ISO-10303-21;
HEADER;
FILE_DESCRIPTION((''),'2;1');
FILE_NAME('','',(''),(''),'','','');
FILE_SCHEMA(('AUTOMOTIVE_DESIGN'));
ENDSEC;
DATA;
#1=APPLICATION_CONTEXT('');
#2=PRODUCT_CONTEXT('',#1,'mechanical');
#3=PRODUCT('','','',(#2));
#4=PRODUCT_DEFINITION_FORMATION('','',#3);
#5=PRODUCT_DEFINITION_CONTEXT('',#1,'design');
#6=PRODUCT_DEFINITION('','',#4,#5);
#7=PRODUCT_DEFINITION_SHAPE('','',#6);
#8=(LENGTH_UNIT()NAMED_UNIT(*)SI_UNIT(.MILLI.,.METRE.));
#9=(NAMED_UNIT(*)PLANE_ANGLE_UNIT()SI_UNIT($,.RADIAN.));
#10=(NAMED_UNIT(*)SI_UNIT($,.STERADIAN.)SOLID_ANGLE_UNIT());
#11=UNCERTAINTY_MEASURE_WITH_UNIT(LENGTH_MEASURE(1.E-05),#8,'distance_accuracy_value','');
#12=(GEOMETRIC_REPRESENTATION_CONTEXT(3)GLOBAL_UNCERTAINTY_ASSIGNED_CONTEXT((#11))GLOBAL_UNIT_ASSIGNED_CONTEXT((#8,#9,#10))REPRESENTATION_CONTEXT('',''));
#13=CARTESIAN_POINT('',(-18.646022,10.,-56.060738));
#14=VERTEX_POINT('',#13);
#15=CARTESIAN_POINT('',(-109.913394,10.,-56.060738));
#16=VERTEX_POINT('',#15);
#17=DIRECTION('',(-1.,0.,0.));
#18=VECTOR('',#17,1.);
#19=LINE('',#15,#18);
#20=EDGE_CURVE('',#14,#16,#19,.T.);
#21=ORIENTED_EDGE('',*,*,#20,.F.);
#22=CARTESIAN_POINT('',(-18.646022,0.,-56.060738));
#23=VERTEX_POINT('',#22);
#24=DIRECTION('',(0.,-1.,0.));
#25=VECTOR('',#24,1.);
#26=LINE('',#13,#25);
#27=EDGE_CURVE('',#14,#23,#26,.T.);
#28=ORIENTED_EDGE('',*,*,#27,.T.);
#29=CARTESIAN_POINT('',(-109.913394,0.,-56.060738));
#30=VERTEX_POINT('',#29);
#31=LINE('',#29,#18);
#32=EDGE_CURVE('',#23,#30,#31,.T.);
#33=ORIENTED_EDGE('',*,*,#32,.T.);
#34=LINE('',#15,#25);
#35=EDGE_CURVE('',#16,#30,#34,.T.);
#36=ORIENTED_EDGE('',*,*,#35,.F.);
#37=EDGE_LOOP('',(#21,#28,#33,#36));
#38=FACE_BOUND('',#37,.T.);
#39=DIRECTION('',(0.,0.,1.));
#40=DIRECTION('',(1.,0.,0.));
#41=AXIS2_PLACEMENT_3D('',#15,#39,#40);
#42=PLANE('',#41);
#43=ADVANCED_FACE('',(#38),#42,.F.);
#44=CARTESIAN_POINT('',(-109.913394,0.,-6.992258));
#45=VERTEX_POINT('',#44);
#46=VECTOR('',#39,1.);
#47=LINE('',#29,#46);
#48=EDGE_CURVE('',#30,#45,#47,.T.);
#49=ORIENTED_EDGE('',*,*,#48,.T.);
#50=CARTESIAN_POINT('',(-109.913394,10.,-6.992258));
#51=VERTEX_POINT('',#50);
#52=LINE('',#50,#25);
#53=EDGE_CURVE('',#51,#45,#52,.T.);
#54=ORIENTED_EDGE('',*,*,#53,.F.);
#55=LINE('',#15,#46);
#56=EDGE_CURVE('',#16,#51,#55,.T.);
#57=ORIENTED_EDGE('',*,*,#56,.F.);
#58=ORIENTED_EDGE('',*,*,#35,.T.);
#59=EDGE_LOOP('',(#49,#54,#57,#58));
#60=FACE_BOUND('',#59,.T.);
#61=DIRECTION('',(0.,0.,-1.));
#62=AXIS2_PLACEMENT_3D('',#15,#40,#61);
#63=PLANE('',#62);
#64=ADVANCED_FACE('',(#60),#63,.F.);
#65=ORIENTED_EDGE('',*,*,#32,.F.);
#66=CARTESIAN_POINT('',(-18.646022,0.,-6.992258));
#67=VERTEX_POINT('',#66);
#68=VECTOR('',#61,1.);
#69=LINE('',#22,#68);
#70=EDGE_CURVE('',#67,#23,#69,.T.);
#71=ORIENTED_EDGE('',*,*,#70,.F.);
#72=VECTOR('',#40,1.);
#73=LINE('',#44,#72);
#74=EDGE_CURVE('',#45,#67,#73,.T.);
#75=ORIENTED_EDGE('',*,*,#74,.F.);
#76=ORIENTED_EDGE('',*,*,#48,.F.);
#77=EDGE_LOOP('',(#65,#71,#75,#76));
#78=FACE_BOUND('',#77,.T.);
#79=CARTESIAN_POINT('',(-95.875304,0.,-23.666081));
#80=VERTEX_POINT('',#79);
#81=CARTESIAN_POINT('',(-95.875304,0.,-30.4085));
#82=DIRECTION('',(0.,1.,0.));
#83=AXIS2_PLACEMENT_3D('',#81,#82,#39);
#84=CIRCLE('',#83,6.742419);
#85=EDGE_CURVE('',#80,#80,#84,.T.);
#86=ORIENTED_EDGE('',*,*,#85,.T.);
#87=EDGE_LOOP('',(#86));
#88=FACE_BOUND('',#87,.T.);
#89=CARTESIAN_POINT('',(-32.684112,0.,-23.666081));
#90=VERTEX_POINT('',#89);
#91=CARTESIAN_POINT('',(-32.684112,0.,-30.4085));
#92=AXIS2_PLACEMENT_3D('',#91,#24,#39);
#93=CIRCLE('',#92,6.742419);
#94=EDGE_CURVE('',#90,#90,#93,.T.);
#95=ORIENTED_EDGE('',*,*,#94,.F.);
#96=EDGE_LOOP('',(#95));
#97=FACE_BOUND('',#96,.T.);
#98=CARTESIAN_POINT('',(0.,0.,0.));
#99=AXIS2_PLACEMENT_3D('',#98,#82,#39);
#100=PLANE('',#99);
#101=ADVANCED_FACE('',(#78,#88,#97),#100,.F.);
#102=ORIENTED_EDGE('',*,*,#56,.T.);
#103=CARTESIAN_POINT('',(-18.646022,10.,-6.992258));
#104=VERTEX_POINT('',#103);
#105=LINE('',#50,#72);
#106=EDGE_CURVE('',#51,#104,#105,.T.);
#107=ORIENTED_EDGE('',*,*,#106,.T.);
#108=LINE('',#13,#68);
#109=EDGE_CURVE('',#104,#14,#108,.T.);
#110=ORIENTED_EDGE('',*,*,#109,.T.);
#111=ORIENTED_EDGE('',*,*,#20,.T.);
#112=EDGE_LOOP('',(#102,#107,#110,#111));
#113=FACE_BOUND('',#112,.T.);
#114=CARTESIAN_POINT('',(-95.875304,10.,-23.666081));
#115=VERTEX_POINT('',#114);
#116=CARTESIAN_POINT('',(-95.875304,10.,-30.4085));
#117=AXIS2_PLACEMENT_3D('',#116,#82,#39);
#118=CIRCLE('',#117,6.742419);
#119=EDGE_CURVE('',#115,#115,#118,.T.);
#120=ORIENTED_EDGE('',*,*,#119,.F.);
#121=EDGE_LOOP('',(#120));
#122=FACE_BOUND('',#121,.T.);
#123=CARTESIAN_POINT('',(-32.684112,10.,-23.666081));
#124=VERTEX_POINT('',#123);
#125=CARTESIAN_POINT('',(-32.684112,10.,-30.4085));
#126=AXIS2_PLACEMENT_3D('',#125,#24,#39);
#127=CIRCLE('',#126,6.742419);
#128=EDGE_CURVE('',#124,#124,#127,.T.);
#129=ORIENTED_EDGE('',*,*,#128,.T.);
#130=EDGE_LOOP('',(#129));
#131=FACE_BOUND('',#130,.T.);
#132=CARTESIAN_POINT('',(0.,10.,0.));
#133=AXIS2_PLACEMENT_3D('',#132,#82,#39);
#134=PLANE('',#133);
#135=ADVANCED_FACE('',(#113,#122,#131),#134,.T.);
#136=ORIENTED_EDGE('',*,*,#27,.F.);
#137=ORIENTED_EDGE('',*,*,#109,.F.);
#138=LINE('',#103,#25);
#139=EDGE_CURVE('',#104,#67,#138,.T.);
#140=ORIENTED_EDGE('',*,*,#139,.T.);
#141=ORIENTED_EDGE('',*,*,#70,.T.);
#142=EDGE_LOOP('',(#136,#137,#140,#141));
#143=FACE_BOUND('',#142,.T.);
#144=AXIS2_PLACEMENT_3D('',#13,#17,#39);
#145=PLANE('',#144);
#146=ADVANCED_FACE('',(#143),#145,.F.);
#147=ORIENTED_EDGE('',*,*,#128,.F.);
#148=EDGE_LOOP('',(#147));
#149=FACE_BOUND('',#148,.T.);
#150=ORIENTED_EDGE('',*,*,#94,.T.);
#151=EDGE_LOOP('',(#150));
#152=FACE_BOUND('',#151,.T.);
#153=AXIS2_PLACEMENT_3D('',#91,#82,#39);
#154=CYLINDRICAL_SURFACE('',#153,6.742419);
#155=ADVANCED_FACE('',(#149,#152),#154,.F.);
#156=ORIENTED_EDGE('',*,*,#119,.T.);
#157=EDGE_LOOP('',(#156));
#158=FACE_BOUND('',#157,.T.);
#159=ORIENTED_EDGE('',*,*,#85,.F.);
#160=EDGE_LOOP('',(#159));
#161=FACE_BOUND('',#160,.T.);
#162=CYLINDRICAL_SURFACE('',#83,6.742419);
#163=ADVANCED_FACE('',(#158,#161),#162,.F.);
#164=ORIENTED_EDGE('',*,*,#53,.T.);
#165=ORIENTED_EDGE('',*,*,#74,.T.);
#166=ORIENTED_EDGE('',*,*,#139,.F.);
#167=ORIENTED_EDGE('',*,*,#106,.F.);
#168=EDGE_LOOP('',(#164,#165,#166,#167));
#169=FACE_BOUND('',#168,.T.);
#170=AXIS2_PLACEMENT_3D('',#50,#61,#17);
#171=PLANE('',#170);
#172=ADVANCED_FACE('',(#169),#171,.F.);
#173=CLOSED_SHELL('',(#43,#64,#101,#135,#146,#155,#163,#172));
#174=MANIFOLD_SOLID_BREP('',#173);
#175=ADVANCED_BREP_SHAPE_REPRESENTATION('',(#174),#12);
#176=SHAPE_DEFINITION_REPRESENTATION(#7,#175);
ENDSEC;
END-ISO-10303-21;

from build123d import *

# Parameters (mm, degrees)
SKETCH1_W           = 91.267371632
SKETCH1_H           = 49.068479372
BOSS_EXTRUDE1_DEPTH = 10
SKETCH2_R           = 6.742418782
CUT_EXTRUDE2_DEPTH  = 10


with BuildPart() as part:
    # Sketch1 → Boss-Extrude1 (new body)
    with BuildSketch(Plane(origin=(0, 0, 0), x_dir=(1, 0, 0), z_dir=(0, 1, 0))):
        with Locations((-64.279707977, 31.526497996)):
            Rectangle(SKETCH1_W, SKETCH1_H)
    extrude(amount=BOSS_EXTRUDE1_DEPTH)

    # Sketch2 → Cut-Extrude2 (cut)
    with BuildSketch(Plane(origin=(0, 10, 0), x_dir=(1, 0, 0), z_dir=(0, 1, 0))):
        with Locations((-95.875303576, 30.408499998)):
            Circle(SKETCH2_R)
    cut_extrude2 = extrude(amount=-CUT_EXTRUDE2_DEPTH, mode=Mode.SUBTRACT)

    # Mirror1: Cut-Extrude2 across plane
    add(cut_extrude2.mirror(Plane.ZY.offset(64.279707977)), mode=Mode.SUBTRACT)


solid = part.part
